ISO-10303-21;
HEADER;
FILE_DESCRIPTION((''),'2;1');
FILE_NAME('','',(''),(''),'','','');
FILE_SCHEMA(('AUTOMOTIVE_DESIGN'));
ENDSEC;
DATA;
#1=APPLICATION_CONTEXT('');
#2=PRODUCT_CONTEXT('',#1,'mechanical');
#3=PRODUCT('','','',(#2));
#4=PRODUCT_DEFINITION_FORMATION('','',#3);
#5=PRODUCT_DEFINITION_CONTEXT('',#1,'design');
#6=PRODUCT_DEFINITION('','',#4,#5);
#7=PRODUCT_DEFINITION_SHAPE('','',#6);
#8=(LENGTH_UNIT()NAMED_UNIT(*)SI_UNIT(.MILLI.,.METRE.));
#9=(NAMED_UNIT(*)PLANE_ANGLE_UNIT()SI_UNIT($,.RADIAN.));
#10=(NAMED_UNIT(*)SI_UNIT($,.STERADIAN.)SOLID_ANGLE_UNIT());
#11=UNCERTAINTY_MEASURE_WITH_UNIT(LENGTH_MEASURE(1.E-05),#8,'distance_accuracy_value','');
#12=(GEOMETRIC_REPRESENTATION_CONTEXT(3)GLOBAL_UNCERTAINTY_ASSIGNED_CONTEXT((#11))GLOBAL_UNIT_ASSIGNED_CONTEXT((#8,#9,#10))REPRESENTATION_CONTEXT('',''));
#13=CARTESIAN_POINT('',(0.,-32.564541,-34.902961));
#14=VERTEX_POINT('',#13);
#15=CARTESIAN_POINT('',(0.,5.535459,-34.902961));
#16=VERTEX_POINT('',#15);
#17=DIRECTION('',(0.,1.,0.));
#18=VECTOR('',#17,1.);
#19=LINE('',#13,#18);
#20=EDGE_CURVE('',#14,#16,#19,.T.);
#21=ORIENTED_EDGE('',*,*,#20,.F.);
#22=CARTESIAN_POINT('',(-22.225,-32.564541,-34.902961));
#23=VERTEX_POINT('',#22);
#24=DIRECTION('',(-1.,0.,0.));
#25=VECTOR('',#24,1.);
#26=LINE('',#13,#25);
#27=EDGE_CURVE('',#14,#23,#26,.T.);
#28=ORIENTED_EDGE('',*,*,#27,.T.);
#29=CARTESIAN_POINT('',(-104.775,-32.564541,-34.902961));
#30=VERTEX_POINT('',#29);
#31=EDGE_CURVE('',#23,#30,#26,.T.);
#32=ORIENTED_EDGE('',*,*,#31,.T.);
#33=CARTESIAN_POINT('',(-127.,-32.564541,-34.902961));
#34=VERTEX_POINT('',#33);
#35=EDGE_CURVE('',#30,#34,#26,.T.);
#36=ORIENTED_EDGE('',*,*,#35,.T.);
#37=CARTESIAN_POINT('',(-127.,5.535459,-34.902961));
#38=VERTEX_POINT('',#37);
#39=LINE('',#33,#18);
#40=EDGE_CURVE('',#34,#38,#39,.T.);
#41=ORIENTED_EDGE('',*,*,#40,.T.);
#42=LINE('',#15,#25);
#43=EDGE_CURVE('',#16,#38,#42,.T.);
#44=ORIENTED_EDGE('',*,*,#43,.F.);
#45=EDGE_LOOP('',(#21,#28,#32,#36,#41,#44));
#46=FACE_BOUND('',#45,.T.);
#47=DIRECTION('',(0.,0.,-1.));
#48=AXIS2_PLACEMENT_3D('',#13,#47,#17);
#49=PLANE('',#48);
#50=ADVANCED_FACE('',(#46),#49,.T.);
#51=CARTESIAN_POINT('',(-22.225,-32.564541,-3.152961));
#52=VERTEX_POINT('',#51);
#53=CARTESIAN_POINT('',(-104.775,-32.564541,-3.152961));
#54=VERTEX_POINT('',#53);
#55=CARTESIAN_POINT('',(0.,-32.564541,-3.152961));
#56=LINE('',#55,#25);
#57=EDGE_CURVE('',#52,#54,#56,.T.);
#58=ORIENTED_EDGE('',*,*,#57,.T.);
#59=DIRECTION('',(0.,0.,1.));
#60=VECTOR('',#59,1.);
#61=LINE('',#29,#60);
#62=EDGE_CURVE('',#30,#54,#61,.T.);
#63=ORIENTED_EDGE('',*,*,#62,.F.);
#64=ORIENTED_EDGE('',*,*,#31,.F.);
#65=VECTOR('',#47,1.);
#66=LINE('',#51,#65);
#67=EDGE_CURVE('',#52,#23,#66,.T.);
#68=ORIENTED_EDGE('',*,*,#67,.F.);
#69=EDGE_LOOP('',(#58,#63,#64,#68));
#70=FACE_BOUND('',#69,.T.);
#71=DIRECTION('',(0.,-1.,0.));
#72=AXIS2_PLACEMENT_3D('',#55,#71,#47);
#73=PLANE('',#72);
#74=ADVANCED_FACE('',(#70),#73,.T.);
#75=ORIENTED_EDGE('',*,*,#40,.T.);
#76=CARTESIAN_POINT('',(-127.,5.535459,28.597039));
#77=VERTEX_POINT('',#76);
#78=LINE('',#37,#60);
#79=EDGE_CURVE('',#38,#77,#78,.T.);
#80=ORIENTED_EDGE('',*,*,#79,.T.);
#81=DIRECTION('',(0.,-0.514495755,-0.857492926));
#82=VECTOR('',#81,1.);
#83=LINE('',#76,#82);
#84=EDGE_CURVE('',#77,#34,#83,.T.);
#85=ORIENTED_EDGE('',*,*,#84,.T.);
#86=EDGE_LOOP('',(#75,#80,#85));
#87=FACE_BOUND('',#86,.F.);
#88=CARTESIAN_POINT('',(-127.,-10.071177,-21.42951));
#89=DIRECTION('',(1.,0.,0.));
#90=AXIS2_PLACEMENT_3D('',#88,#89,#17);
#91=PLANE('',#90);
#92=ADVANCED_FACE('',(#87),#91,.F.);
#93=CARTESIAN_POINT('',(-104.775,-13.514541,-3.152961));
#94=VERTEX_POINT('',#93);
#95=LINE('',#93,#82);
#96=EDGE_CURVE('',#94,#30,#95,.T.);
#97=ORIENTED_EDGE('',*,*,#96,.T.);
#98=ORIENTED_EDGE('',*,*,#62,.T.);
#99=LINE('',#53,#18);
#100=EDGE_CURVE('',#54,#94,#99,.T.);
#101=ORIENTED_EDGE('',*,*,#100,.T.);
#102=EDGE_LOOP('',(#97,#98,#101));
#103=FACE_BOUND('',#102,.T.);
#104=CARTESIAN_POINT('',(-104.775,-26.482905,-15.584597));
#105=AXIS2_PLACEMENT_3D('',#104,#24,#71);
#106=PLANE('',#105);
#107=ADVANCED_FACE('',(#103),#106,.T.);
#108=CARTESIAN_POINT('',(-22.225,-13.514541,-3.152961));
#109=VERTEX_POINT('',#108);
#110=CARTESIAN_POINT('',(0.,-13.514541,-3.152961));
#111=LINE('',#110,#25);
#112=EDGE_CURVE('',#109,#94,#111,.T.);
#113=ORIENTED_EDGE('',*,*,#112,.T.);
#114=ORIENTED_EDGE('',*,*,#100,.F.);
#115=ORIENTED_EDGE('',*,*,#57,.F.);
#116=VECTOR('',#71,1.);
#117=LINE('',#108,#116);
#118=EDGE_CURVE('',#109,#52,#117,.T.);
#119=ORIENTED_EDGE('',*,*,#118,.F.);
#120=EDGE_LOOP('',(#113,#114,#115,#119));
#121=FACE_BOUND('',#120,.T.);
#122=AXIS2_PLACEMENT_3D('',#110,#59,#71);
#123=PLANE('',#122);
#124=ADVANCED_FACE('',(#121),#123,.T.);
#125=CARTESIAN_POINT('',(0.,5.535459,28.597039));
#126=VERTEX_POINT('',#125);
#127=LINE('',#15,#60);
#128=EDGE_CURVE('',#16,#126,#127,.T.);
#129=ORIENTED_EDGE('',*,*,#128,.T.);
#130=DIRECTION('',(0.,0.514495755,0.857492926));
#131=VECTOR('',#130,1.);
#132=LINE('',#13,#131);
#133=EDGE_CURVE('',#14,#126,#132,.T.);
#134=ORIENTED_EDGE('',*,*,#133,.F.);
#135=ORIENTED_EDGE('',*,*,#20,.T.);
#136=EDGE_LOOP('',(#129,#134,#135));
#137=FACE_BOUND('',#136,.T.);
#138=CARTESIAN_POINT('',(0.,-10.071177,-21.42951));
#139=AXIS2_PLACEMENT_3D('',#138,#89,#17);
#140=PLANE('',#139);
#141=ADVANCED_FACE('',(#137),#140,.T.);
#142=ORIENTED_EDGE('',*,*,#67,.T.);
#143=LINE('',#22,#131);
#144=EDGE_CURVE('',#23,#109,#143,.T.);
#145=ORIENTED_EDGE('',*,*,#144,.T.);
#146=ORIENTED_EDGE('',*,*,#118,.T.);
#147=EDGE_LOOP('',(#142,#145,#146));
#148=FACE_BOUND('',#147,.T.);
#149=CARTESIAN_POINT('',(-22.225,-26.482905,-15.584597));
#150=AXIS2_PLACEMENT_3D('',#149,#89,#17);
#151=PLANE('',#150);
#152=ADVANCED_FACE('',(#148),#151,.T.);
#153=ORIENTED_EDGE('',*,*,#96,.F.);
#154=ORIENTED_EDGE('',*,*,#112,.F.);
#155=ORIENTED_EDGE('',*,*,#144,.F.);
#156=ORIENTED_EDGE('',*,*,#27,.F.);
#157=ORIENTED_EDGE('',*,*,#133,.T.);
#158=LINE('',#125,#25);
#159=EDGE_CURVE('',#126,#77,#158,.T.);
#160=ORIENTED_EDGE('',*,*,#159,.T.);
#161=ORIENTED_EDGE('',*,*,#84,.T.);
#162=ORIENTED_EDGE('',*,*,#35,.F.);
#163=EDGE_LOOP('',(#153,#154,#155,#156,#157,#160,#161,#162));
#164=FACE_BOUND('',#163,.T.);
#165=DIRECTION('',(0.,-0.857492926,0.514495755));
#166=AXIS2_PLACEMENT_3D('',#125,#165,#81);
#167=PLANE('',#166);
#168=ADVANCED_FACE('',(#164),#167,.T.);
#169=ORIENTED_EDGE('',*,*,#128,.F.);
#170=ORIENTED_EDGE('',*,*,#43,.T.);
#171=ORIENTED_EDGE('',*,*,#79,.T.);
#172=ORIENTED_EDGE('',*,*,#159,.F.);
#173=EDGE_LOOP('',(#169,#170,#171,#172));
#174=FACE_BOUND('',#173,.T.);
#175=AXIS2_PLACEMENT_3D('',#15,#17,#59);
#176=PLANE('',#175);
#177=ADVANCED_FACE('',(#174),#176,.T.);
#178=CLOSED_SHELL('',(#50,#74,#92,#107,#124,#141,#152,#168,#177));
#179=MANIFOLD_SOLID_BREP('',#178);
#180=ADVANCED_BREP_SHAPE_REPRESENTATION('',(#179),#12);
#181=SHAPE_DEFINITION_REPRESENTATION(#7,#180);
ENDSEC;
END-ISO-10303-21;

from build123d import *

# Parameters (mm, degrees)
F1_DEPTH = 127
F3_DEPTH = 22.225
F5_DEPTH = 22.225


with BuildPart() as f1:
    # F0 (on Right) → F1 (new body)
    with BuildSketch(Plane.YZ):
        Polygon((5.535459, -34.902961), (5.535459, -3.152961), (-13.514541, -3.152961), (-32.564541, -34.902961), align=None)
        Polygon((5.535459, -3.152961), (5.535459, 28.597039), (-13.514541, -3.152961), align=None)
        Polygon((-13.514541, -3.152961), (-32.564541, -3.152961), (-32.564541, -34.902961), align=None)
    extrude(amount=-F1_DEPTH)

    # F2 (on face) → F3 (cut)
    with BuildSketch(Plane(origin=(-127, 0, 0), x_dir=(0, -1, 0), z_dir=(-1, 0, 0))):
        Polygon((32.564541, -3.152961), (13.514541, -3.152961), (32.564541, -34.902961), align=None)
    extrude(amount=-F3_DEPTH, mode=Mode.SUBTRACT)

    # F4 (on face) → F5 (cut)
    with BuildSketch(Plane.YZ):
        Polygon((-32.564541, -34.902961), (-13.514541, -3.152961), (-32.564541, -3.152961), align=None)
    extrude(amount=-F5_DEPTH, mode=Mode.SUBTRACT)


solid = f1.part
